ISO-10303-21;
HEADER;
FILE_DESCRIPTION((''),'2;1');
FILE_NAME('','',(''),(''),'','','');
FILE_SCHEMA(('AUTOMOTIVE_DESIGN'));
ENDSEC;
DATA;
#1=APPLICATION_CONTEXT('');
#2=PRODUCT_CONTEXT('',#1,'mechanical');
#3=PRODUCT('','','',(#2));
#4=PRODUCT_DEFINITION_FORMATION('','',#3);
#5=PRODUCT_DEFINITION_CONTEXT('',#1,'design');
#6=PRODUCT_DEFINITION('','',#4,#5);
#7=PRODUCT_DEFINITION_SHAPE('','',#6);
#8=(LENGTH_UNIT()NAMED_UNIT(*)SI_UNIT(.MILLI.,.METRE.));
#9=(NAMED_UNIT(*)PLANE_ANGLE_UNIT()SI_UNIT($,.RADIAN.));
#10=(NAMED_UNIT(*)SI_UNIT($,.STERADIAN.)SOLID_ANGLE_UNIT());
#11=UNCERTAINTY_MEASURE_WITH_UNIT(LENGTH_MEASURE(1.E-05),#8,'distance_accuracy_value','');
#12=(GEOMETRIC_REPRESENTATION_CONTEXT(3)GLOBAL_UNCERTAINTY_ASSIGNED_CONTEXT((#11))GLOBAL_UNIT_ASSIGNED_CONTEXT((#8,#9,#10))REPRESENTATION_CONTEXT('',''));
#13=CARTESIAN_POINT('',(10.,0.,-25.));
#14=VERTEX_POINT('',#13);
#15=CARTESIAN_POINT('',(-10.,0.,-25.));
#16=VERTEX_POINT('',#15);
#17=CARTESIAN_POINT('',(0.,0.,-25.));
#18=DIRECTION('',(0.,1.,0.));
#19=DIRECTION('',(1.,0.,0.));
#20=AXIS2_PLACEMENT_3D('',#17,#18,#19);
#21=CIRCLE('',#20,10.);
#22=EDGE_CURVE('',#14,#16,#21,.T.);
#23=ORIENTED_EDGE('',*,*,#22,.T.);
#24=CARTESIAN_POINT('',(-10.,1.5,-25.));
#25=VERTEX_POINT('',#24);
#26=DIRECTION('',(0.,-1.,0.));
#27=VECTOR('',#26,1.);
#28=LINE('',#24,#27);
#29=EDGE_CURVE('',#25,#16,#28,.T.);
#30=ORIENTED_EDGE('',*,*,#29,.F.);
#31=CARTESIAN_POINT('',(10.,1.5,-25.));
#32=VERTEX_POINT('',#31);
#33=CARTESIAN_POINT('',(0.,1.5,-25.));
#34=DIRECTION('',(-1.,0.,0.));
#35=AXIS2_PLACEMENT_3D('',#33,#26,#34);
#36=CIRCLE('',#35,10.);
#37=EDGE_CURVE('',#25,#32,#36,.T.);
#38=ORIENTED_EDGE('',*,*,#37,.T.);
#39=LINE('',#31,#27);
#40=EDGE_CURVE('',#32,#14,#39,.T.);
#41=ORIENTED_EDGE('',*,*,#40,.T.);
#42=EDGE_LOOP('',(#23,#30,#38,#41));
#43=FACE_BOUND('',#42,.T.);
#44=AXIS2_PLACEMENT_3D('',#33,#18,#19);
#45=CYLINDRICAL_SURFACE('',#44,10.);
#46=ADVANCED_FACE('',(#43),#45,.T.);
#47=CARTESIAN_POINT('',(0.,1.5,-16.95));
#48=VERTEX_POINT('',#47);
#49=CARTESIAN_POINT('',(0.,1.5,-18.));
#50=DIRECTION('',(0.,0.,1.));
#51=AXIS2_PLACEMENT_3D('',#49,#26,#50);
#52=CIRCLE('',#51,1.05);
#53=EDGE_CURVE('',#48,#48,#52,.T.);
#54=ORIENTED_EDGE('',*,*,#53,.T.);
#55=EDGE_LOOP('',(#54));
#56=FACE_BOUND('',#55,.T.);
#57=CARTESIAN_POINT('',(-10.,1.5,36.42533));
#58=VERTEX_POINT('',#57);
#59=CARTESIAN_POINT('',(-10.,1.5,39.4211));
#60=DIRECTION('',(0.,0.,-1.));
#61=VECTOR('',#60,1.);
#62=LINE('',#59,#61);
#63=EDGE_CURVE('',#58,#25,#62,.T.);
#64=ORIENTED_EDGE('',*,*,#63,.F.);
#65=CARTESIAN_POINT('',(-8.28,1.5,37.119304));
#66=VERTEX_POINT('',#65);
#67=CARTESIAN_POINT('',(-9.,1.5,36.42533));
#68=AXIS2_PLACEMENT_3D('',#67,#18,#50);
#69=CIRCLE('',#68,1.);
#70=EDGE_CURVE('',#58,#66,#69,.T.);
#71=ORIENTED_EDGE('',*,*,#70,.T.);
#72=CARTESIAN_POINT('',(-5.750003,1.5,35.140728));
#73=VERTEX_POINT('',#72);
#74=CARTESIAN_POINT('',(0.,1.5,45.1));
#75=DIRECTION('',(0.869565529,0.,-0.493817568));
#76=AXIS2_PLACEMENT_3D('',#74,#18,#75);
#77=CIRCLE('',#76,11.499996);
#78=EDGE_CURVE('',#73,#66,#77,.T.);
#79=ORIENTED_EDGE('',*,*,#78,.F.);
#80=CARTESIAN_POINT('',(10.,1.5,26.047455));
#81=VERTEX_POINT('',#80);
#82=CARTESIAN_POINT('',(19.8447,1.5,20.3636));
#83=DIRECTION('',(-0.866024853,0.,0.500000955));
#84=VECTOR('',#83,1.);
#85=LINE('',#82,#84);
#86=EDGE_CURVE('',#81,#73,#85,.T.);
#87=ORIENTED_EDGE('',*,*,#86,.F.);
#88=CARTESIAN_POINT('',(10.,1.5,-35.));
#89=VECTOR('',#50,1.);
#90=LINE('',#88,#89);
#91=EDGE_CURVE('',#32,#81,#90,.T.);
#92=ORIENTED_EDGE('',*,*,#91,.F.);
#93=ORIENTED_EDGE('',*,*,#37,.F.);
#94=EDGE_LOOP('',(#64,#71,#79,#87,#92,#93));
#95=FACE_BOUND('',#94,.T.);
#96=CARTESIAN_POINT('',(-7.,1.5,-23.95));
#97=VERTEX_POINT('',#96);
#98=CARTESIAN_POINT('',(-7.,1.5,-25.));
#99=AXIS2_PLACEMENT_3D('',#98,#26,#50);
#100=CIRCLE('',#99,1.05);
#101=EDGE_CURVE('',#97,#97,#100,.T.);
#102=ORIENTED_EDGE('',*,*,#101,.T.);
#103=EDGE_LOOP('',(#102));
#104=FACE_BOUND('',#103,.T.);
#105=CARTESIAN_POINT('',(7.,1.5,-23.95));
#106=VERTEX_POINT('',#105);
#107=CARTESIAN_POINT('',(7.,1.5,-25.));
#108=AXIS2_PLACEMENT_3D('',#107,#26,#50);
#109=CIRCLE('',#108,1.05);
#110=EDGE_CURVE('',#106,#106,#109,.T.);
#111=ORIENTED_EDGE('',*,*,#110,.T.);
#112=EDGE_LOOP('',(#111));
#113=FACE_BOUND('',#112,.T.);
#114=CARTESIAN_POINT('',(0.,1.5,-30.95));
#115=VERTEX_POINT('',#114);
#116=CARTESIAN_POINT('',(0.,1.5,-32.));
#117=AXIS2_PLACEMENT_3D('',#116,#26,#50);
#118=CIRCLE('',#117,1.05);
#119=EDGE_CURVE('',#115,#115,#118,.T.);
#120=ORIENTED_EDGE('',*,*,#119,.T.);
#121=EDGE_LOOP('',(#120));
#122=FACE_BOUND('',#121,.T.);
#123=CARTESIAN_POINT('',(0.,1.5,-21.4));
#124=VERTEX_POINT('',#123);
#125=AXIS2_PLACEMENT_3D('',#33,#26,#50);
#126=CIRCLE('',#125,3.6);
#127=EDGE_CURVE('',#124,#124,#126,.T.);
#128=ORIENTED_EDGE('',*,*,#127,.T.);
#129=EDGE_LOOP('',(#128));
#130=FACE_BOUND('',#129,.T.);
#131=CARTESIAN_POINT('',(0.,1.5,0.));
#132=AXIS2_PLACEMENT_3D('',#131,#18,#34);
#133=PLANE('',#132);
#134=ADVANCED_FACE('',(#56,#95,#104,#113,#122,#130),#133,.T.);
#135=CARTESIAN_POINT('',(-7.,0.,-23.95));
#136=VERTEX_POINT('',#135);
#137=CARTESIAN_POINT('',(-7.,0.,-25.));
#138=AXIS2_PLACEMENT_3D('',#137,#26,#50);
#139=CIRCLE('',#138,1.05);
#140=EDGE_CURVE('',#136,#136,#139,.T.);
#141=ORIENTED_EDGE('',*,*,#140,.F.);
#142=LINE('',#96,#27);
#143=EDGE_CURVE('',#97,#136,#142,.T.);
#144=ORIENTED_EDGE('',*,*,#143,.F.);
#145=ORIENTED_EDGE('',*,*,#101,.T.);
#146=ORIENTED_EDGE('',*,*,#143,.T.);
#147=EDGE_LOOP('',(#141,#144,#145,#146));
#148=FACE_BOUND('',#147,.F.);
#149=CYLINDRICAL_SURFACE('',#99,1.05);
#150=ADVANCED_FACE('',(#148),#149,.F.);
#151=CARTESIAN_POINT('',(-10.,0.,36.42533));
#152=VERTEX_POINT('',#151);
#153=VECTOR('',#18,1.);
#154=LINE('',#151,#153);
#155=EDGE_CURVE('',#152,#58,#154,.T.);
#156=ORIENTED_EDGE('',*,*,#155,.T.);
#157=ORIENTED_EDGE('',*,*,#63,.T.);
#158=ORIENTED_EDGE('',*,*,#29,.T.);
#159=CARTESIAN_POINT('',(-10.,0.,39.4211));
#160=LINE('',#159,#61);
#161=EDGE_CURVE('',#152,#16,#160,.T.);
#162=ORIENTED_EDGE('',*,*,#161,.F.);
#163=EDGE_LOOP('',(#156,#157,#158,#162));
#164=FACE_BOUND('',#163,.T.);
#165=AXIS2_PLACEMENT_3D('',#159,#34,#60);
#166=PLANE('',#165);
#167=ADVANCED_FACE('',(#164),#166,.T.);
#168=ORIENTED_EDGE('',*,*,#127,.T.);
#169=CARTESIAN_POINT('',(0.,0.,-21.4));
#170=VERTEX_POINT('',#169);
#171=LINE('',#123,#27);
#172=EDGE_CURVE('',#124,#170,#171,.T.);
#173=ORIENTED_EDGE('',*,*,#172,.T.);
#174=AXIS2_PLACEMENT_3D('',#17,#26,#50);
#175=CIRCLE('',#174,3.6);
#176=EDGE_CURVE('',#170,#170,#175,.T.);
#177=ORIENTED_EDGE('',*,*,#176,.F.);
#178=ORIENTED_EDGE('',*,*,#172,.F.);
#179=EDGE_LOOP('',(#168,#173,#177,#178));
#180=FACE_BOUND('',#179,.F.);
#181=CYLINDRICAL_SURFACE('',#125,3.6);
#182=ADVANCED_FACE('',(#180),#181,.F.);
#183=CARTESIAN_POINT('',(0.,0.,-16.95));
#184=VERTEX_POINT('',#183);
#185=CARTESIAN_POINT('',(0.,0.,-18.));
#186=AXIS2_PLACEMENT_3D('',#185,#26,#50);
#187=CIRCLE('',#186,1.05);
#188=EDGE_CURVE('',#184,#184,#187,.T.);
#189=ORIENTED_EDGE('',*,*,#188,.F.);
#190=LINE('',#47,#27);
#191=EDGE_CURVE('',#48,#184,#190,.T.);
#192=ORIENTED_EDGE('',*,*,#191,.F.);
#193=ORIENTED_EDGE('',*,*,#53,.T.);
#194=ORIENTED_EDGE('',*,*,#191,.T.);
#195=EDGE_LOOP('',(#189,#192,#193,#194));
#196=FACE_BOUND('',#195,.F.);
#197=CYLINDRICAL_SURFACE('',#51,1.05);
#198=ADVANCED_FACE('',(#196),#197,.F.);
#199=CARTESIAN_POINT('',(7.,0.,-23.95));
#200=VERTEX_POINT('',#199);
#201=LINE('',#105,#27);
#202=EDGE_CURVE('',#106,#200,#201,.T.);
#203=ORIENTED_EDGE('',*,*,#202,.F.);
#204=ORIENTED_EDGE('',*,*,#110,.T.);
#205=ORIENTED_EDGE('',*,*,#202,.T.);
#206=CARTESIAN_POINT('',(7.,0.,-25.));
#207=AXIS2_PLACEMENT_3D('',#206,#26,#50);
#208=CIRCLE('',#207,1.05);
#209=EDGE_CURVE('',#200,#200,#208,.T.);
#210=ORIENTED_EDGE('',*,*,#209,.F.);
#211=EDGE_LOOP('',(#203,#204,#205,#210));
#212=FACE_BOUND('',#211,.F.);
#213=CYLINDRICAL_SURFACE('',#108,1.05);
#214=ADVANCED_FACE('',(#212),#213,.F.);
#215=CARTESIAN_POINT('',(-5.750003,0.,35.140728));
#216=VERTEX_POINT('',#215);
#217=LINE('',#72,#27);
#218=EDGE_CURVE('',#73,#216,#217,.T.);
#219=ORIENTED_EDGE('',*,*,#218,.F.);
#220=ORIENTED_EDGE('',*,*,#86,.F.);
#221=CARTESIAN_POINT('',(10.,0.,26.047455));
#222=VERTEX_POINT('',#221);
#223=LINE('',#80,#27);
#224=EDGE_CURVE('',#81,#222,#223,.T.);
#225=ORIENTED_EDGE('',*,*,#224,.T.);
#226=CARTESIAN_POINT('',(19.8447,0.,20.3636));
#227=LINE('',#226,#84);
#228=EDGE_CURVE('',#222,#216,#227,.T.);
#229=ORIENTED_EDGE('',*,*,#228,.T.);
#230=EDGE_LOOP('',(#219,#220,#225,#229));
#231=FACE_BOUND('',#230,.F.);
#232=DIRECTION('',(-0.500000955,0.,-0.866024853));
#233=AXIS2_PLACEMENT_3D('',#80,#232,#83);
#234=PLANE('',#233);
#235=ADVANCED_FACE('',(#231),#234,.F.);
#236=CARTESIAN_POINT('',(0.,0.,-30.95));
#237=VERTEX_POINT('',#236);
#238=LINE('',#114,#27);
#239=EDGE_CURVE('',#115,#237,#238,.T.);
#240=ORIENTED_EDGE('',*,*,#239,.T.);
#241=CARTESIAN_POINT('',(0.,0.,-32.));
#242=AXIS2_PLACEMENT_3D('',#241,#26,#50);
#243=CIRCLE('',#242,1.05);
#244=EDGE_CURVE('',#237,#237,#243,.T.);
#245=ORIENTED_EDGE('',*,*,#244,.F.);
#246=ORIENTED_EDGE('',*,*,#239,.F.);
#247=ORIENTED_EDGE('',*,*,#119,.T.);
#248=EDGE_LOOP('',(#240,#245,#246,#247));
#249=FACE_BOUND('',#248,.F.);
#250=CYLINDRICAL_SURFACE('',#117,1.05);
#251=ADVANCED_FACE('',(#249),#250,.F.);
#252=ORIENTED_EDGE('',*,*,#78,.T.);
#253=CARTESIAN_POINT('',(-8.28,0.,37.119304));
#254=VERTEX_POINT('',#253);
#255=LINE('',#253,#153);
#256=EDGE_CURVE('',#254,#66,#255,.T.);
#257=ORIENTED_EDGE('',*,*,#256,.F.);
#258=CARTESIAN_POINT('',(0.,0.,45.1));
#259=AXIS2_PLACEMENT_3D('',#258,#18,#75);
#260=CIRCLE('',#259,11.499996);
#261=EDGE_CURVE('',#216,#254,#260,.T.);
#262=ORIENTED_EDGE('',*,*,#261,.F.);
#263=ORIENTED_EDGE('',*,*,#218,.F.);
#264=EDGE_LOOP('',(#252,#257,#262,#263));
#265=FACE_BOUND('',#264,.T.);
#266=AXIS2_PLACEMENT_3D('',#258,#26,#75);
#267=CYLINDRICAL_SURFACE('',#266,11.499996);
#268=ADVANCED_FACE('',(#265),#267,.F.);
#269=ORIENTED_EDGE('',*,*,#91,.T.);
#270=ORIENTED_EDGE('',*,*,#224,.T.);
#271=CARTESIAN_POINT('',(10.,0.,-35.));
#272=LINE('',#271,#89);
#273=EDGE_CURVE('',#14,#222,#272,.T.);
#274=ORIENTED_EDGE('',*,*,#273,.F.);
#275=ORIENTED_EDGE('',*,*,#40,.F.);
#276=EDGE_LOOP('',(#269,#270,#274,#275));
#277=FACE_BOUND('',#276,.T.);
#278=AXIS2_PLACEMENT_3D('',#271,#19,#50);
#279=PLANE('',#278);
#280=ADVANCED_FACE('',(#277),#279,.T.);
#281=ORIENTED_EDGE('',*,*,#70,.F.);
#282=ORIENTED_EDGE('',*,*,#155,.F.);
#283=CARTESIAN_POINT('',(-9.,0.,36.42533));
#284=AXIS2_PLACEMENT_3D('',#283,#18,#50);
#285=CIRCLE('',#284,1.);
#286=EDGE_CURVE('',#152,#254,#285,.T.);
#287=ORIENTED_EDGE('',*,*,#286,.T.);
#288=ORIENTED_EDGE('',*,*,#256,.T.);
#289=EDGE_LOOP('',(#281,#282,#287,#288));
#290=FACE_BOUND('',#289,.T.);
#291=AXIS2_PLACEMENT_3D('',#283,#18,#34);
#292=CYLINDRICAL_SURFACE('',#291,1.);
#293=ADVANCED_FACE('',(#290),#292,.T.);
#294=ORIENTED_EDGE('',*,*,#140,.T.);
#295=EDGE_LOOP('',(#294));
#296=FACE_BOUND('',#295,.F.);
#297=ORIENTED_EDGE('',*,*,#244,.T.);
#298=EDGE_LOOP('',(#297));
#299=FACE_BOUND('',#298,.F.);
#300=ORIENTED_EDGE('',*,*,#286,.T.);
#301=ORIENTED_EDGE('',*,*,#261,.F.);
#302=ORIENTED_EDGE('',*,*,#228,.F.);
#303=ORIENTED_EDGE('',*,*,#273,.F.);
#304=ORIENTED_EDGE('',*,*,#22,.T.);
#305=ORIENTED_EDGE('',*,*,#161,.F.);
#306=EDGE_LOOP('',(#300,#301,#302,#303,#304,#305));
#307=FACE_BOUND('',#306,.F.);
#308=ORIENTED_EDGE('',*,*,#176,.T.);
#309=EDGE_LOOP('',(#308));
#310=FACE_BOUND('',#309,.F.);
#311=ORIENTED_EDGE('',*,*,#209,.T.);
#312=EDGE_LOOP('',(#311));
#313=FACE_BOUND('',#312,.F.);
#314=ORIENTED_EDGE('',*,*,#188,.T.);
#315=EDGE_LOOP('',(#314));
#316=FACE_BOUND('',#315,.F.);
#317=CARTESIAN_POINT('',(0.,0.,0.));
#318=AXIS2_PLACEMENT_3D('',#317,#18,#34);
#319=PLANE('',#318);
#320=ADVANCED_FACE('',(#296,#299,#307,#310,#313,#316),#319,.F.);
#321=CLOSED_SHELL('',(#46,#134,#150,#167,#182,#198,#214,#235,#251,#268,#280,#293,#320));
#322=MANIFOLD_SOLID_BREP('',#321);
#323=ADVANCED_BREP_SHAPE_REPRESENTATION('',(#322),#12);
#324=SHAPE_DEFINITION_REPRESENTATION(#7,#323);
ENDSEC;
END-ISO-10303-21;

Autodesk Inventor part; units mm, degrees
ref_plane "YZ Plane" through (0, 0, 0) normal (1, 0, 0) x (0, 1, 0)
ref_plane "XZ Plane" through (0, 0, 0) normal (0, 1, 0) x (-1, 0, 0)
ref_plane "XY Plane" through (0, 0, 0) normal (0, 0, 1) x (1, 0, 0)
sketch "Sketch1" plane through (0, 0, 0) normal (0, 1, 0) x (-1, 0, 0)
  line L0 (10, -35) -> (-10, -35)
  line L1 (-10, -35) -> (-10, 39.4211)
  line L2 (10, 39.4211) -> (10, -35)
  arc A0 (-10, 39.4211) -> (10, 39.4211) centre (0, 45.1) ccw
  point P0 (0, 0)
  dimension "d2" = 35
  dimension "d3" = 10
  dimension "d36" = 23
  dimension "d37" = 80.1
  dimension "d39" = 74.4211
  dimension "d40" = 20
extrude "Plate1" add sketch "Sketch1" along normal blind 1.5
sketch "Sketch3" plane through (0, 1.5, 0) normal (0, 1, 0) x (1, 0, 0)
  circle A0 centre (0, 25) radius 10
  circle A1 centre (0, -25) radius 10
  line L0 (-10, 35) -> (10, 35) projected
  line L1 (10, -44) -> (-10, -44) projected
  line L2 (-10, 35) -> (10, 35)
  line L3 (10, 35) -> (10, 25)
  line L4 (10, 25) -> (-10, 25)
  line L5 (-10, 25) -> (-10, 35)
  line L6 (10, -35) -> (-10, -35)
  line L7 (-10, -35) -> (-10, -25)
  line L8 (-10, -25) -> (10, -25)
  line L9 (10, -25) -> (10, -44)
  point P0 (0, 0)
  point P1 (-10, -39.4211)
  point P2 (10, -25)
  point P3 (0, -35)
  point P4 (-10, -35)
  point P5 (0, 35)
  point P6 (10, 35)
  dimension "d12" = 20
  dimension "d13" = 20
  dimension "d14" = 10
  dimension "d15" = 10
  dimension "d16" = 25
  dimension "d17" = 25
  dimension "d18" = 10
extrude "Extrusion1" cut sketch "Sketch3" against normal blind 10 contours L5 L0 A0 | A0 L0 L3
sketch "Sketch4" plane through (0, 1.5, 0) normal (0, 1, 0) x (1, 0, 0)
  circle A0 centre (-7, 25) radius 0.8
  arc A1 (10, 25) -> (-10, 25) centre (0, 25) ccw projected
  circle A2 centre (0, 18) radius 0.8
  circle A3 centre (7, 25) radius 0.8
  circle A4 centre (0, 32) radius 0.8
  point P0 (0, 0)
  dimension "d21" = 0
  dimension "d22" = 7
  dimension "d23" = 1.6
  dimension "d26" = 360
hole "Hole2" at (0, 1.5, -32) at (7, 1.5, -25) at (0, 1.5, -18) at (-7, 1.5, -25) direction (0, -1, 0) diameter 2.1 depth 1.5
fillet "Fillet1" radius 1 2 edges at (-10, 0.75, 39.4211) (10, 0.75, 39.4211)
sketch "Sketch5" plane through (0, 1.5, 0) normal (0, 1, 0) x (1, 0, 0)
  arc A0 (10, 25) -> (-10, 25) centre (0, 25) ccw projected
  point P0 (0, 0)
hole "Hole3" at (0, 1.5, -25) direction (0, -1, 0) diameter 7.2 depth 1.5
sketch "Sketch8" plane through (0, 1.5, 0) normal (0, 1, 0) x (1, 0, 0)
  line L0 (19.8447, -20.3636) -> (-14.9774, -40.4682)
  arc A0 (8.28, -37.1193) -> (-8.28, -37.1193) centre (0, -45.1) ccw projected
  arc A1 (8.28, -37.1193) -> (10, -36.4253) centre (9, -36.4253) ccw projected
  line L1 (10, 25) -> (10, -36.4253) projected
  point P0 (0, 0)
  point P1 (10, -26.0474)
  point P2 (-5.75, -35.1407)
  dimension "d63" = 60
extrude "Extrusion2" cut sketch "Sketch8" against normal blind 1.5
equation "\"d33\" = Thickness"
equation "\"d47\" = Thickness"
equation "\"d4\" = Thickness"
equation "\"BendReliefWidth\" = Thickness"
equation "\"BendReliefDepth\" = 0.5 * Thickness"
equation "\"CornerReliefSize\" = 4 * Thickness"
equation "\"MinimumRemnant\" = 2 * Thickness"
equation "\"TransitionRadius\" = BendRadius"
equation "\"JacobiRadiusSize\" = BendRadius"
equation "\"GapSize\" = Thickness"
equation "\"Thickness\" = 1.5"
equation "\"BendRadius\" = 0.31"
properties part number "axis_8_10_connector_frame" material "Aluminum 6061-AHC"
